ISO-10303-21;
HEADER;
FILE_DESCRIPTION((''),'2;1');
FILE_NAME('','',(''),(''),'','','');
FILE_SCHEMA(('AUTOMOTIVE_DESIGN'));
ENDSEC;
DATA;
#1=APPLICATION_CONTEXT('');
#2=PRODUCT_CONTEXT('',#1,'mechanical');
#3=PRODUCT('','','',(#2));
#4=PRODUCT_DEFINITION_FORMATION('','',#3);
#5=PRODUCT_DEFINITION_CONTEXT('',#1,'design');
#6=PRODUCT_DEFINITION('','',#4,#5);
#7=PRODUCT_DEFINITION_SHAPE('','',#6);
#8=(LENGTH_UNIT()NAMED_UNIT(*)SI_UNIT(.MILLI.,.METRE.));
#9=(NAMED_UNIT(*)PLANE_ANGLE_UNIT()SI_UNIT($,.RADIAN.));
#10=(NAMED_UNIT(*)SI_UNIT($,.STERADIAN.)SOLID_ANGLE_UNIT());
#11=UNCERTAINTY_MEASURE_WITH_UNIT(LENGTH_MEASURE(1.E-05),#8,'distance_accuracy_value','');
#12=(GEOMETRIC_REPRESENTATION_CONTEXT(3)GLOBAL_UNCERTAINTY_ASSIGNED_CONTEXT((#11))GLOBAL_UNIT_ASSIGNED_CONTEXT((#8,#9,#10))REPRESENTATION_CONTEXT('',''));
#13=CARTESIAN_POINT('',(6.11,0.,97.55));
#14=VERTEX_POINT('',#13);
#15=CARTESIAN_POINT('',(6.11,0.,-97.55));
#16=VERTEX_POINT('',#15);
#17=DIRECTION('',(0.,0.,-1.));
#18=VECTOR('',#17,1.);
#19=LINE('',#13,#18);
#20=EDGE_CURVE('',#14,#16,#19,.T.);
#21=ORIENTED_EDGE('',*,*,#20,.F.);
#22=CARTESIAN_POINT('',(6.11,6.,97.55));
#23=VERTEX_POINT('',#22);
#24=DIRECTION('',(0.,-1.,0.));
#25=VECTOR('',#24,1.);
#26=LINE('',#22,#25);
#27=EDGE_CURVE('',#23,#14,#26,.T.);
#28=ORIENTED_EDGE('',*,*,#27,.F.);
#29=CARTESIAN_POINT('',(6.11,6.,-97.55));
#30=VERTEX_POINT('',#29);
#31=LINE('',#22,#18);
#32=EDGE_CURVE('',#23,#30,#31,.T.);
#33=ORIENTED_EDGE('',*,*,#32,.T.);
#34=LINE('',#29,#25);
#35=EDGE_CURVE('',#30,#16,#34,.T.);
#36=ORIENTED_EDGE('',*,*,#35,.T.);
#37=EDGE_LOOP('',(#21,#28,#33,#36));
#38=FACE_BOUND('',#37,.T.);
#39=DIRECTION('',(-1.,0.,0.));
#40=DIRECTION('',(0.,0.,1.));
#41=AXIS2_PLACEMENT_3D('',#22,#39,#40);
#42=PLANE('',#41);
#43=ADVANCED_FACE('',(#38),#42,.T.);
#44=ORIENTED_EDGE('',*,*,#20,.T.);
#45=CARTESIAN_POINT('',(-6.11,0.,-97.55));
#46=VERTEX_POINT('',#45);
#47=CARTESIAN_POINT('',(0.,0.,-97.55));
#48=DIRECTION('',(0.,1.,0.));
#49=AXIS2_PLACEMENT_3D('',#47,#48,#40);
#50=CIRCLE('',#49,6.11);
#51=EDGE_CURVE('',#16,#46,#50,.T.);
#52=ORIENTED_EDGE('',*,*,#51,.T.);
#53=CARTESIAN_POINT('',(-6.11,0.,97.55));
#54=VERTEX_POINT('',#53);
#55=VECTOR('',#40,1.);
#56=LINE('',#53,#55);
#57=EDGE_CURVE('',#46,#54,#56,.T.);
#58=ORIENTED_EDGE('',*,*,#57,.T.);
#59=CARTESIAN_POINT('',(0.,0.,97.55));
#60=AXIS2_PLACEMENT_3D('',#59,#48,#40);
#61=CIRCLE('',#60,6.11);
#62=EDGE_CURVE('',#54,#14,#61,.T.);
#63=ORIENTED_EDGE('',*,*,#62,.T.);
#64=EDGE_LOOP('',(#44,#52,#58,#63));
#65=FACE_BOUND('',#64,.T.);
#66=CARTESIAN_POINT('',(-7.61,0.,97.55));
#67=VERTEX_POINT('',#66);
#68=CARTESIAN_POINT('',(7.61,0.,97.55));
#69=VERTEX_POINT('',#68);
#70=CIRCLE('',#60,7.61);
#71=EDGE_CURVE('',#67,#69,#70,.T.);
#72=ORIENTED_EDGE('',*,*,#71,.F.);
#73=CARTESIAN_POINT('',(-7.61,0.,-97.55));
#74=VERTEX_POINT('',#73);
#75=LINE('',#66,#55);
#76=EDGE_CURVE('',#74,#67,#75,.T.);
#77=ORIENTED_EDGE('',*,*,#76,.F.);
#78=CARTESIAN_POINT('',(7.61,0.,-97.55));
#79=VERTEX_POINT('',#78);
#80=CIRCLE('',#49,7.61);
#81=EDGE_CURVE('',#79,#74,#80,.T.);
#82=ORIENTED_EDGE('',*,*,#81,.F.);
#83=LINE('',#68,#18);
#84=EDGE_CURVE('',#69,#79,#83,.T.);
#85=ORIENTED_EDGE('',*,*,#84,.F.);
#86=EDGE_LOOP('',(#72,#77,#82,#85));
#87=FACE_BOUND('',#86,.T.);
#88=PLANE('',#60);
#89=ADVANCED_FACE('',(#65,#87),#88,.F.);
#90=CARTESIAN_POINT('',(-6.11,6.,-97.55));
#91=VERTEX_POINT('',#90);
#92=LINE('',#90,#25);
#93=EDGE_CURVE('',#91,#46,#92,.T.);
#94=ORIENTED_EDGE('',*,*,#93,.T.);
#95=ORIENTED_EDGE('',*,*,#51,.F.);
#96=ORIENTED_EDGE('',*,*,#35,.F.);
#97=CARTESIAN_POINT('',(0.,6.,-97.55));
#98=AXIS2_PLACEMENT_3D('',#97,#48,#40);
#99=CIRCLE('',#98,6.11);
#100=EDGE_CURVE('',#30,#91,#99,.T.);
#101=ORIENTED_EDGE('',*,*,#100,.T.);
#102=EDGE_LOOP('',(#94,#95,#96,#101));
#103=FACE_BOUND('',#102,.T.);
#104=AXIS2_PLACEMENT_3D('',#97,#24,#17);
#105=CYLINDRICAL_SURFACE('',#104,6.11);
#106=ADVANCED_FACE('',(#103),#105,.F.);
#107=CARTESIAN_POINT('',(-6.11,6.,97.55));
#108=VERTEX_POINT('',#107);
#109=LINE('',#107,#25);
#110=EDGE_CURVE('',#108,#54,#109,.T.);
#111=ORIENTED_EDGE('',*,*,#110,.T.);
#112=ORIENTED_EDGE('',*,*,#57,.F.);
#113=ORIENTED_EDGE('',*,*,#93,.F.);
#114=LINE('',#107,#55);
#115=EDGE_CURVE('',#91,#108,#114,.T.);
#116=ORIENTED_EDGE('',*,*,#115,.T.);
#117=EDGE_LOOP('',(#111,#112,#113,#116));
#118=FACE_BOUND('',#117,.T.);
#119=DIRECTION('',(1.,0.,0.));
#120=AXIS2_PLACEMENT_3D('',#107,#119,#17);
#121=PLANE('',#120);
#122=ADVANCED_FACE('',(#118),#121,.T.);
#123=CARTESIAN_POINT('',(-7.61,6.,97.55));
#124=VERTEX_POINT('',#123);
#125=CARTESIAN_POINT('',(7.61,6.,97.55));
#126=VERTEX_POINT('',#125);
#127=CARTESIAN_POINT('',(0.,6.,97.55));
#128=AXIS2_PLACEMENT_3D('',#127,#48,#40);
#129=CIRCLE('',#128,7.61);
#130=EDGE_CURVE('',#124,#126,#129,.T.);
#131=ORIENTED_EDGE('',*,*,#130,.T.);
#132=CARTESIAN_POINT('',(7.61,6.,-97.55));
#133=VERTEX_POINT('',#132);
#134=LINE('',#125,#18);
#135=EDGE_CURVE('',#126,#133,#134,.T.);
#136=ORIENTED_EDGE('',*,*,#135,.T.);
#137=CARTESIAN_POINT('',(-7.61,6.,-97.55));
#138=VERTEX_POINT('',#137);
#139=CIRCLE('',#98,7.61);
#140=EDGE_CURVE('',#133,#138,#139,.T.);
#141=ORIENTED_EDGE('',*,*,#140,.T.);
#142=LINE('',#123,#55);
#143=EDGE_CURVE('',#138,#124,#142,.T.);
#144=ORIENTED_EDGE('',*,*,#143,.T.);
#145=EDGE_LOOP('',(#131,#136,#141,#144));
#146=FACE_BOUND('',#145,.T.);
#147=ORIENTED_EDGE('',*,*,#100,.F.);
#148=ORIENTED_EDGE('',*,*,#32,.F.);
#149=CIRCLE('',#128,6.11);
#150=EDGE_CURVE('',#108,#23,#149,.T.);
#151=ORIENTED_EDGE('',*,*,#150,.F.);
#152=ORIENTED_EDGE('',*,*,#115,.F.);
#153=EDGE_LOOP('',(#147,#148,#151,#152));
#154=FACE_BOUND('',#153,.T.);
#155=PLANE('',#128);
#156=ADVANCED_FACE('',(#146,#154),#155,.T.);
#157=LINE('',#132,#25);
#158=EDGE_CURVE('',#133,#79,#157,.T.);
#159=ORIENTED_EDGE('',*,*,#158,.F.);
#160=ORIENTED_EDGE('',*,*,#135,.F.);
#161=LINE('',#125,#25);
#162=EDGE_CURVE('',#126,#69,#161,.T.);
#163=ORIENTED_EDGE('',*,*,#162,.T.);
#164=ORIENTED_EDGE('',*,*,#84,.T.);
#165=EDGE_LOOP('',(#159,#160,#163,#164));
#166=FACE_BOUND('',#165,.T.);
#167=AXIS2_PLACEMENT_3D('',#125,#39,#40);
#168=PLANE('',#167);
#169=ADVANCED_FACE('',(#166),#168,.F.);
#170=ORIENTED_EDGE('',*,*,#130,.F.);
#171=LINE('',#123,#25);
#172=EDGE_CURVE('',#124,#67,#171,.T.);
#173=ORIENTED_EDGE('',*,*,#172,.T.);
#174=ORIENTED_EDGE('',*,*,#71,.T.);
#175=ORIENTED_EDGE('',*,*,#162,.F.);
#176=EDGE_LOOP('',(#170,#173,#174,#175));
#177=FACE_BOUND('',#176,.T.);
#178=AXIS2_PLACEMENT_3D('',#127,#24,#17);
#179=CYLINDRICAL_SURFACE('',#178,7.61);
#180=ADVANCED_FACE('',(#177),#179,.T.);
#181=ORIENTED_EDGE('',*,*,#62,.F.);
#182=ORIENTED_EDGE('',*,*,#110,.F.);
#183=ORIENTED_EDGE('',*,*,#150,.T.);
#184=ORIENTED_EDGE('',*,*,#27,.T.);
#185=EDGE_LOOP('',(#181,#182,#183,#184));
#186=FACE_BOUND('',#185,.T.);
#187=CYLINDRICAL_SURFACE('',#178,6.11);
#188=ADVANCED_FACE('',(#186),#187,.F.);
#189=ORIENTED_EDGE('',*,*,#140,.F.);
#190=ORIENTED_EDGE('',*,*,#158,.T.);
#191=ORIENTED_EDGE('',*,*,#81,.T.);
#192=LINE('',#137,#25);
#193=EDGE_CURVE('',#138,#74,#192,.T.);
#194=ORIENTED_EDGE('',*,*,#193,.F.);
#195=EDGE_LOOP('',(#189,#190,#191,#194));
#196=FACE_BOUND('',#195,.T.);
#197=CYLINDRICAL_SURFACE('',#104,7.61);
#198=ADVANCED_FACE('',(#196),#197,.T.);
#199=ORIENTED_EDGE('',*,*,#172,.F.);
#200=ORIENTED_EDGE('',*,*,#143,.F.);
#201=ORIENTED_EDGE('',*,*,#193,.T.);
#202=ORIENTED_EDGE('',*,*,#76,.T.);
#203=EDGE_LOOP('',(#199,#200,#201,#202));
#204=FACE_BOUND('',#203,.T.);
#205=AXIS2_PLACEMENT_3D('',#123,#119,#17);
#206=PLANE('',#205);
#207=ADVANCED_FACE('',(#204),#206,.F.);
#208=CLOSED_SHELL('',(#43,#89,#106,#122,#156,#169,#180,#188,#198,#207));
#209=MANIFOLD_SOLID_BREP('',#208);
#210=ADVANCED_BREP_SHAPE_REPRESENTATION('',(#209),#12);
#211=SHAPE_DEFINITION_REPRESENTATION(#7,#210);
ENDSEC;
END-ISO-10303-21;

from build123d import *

# Parameters (mm, degrees)
EXTRUDE_1_DEPTH = 6


with BuildPart() as part:
    # 草图1 → 凸台-拉伸1 (new body)
    with BuildSketch(Plane(origin=(0, 0, 0), x_dir=(1, 0, 0), z_dir=(0, 1, 0))):
        with BuildLine():
            Line((-7.61, -97.55), (-7.61, 97.55))
            ThreePointArc((-7.61, 97.55), (0, 105.16), (7.61, 97.55))
            Line((7.61, 97.55), (7.61, -97.55))
            ThreePointArc((7.61, -97.55), (0, -105.16), (-7.61, -97.55))
        make_face()
        with BuildLine():
            Line((-6.11, -97.55), (-6.11, 97.55))
            ThreePointArc((-6.11, 97.55), (0, 103.66), (6.11, 97.55))
            Line((6.11, 97.55), (6.11, -97.55))
            ThreePointArc((6.11, -97.55), (0, -103.66), (-6.11, -97.55))
        make_face(mode=Mode.SUBTRACT)
    extrude(amount=EXTRUDE_1_DEPTH)


solid = part.part
